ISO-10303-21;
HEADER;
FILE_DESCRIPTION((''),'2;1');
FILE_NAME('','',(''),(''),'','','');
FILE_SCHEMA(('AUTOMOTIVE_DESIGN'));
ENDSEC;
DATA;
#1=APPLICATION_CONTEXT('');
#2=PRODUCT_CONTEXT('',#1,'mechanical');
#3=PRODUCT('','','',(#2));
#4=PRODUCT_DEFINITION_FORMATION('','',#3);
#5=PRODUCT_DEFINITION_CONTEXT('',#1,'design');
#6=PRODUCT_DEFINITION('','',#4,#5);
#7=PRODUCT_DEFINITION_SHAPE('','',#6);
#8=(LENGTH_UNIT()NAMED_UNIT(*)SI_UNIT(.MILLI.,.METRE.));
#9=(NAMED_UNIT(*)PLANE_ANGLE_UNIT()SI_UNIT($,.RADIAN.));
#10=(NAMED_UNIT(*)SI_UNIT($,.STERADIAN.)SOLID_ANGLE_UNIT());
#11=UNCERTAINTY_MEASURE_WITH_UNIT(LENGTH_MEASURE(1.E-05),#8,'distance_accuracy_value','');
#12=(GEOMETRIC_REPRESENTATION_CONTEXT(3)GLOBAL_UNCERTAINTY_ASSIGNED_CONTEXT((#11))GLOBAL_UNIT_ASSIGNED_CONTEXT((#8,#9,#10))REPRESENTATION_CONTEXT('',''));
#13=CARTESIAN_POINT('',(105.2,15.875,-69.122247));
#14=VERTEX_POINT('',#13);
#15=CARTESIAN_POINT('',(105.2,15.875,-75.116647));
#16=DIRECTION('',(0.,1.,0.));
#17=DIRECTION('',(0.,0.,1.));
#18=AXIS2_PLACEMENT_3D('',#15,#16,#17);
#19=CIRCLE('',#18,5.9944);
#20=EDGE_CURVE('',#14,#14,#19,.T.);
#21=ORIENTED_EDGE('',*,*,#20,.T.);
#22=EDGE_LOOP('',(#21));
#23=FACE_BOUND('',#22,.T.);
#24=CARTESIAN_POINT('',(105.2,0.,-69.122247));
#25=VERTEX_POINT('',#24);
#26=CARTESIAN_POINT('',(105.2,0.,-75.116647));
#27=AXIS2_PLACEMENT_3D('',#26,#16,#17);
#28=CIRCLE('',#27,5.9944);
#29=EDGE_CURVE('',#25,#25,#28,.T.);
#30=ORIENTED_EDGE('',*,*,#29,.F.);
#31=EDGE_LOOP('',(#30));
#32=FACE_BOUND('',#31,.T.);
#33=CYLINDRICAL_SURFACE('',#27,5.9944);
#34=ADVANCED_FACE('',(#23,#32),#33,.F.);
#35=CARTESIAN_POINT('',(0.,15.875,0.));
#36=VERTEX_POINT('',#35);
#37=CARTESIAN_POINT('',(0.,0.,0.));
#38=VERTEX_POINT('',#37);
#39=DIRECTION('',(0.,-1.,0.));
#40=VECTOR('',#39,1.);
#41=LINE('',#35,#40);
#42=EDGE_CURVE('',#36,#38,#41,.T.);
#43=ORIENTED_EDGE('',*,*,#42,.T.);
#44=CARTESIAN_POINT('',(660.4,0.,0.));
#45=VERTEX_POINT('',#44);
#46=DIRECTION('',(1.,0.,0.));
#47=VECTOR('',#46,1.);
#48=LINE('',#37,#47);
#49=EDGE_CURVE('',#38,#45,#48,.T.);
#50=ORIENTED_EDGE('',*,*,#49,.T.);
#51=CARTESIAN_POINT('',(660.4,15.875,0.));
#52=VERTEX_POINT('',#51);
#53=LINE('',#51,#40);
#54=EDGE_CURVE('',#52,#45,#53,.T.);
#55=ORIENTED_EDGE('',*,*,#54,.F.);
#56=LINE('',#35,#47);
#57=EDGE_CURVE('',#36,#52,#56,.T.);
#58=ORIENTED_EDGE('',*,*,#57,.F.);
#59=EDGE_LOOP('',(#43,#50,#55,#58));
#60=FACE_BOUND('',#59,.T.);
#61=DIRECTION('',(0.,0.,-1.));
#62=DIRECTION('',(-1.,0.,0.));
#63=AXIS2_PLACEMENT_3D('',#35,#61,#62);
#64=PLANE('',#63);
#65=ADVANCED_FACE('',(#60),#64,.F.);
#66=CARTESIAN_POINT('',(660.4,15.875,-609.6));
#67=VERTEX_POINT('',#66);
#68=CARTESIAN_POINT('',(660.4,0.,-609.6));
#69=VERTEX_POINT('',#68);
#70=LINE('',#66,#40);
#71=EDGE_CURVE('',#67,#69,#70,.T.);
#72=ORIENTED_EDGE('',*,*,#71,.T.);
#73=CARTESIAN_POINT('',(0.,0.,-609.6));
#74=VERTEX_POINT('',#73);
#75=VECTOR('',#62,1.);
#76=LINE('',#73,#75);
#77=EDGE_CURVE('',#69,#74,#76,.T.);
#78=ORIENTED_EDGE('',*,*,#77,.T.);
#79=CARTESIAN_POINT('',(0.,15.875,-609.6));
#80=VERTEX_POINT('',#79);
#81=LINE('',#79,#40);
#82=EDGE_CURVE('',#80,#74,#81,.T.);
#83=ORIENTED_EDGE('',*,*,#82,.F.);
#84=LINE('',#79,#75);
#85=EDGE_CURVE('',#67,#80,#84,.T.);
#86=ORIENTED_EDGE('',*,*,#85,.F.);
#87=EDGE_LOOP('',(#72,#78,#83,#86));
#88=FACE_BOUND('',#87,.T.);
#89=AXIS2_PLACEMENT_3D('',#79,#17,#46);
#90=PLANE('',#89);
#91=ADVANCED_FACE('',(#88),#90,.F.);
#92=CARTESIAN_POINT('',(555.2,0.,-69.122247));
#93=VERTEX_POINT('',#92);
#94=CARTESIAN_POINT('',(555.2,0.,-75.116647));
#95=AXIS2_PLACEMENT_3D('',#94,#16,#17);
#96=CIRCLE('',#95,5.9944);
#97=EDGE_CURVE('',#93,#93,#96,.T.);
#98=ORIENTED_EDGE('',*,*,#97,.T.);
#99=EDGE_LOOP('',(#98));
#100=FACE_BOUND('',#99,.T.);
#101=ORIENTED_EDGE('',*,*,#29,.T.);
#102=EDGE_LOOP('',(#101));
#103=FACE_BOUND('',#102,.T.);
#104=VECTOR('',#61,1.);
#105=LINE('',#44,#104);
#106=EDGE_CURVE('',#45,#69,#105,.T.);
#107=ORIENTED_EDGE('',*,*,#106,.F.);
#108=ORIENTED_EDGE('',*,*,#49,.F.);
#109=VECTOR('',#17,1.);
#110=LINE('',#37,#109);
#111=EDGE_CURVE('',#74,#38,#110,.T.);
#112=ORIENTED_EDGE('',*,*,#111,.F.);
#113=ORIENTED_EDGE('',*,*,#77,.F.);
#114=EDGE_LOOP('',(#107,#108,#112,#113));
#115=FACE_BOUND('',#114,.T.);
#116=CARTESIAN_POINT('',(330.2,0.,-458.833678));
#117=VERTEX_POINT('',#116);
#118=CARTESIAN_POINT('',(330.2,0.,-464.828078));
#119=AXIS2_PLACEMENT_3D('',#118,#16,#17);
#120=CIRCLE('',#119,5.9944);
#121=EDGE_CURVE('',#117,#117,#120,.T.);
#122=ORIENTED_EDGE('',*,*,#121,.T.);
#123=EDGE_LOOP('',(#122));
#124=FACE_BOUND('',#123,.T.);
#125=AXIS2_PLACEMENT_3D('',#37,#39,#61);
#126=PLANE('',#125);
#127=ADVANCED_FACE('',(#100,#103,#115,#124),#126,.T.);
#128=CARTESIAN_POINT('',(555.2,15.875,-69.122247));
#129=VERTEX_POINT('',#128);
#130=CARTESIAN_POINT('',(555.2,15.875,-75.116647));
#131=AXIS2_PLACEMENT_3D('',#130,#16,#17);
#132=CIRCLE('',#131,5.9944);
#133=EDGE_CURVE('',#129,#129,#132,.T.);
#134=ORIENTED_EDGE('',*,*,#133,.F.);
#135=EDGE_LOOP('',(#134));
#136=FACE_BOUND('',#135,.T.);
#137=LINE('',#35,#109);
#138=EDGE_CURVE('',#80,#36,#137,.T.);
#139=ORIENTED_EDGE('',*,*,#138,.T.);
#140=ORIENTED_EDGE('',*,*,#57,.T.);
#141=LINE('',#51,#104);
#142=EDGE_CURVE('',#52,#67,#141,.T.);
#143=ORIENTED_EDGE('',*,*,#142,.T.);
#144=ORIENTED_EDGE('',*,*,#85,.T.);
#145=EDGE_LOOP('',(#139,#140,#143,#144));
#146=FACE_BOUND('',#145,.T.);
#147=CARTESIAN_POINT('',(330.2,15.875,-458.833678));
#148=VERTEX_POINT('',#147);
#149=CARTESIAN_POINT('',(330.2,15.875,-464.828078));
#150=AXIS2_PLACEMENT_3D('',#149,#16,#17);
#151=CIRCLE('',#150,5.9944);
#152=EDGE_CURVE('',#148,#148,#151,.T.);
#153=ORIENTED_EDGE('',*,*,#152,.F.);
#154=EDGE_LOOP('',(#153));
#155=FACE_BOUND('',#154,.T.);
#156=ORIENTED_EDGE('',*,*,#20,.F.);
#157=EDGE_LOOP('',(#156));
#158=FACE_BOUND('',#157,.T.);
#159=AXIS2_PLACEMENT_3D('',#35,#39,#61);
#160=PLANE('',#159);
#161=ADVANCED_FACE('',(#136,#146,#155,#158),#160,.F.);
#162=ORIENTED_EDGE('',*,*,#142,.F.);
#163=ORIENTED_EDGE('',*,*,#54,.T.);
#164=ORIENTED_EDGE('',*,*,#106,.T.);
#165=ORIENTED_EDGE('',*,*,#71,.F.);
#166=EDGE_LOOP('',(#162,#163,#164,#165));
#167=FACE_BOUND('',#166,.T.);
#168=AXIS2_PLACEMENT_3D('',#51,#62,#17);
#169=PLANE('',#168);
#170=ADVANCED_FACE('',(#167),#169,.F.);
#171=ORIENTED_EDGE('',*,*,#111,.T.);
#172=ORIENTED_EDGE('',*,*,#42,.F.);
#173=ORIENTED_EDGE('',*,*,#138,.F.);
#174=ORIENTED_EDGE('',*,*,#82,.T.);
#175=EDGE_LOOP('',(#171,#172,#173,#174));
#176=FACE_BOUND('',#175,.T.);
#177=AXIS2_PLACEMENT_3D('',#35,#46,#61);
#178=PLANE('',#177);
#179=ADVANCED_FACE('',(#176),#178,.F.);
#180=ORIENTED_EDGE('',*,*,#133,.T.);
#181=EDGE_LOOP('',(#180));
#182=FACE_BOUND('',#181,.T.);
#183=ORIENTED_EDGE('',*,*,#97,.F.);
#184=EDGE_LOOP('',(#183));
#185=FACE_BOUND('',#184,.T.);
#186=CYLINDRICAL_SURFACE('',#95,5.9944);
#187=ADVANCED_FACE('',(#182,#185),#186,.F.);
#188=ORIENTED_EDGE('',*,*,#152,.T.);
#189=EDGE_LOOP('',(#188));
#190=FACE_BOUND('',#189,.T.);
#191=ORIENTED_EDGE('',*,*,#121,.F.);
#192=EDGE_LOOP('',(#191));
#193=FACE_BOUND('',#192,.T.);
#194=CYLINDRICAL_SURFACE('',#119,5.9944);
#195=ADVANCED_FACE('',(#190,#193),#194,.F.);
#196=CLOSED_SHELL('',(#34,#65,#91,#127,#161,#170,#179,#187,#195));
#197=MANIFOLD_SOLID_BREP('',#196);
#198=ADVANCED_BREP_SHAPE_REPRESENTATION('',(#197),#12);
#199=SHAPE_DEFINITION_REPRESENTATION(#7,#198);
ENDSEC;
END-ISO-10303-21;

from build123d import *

# Parameters (mm, degrees)
SKETCH1_W           = 660.4
SKETCH1_H           = 609.6
BOSS_EXTRUDE1_DEPTH = 15.875
SKETCH5_R           = 5.9944
CUT_EXTRUDE2_DEPTH  = 16.875


with BuildPart() as part:
    # Sketch1 → Boss-Extrude1 (new body)
    with BuildSketch(Plane(origin=(0, 0, 0), x_dir=(1, 0, 0), z_dir=(0, 1, 0))):
        with Locations((330.2, 304.8)):
            Rectangle(SKETCH1_W, SKETCH1_H)
    extrude(amount=BOSS_EXTRUDE1_DEPTH)

    # Sketch5 → Cut-Extrude2 (cut, through all)
    with BuildSketch(Plane(origin=(0, 15.875, 0), x_dir=(1, 0, 0), z_dir=(0, 1, 0))):
        with Locations((105.2, 75.116646637)):
            Circle(SKETCH5_R)
        with Locations((555.2, 75.116646637)):
            Circle(SKETCH5_R)
        with Locations((330.2, 464.82807834)):
            Circle(SKETCH5_R)
    extrude(amount=-CUT_EXTRUDE2_DEPTH, mode=Mode.SUBTRACT)


solid = part.part
